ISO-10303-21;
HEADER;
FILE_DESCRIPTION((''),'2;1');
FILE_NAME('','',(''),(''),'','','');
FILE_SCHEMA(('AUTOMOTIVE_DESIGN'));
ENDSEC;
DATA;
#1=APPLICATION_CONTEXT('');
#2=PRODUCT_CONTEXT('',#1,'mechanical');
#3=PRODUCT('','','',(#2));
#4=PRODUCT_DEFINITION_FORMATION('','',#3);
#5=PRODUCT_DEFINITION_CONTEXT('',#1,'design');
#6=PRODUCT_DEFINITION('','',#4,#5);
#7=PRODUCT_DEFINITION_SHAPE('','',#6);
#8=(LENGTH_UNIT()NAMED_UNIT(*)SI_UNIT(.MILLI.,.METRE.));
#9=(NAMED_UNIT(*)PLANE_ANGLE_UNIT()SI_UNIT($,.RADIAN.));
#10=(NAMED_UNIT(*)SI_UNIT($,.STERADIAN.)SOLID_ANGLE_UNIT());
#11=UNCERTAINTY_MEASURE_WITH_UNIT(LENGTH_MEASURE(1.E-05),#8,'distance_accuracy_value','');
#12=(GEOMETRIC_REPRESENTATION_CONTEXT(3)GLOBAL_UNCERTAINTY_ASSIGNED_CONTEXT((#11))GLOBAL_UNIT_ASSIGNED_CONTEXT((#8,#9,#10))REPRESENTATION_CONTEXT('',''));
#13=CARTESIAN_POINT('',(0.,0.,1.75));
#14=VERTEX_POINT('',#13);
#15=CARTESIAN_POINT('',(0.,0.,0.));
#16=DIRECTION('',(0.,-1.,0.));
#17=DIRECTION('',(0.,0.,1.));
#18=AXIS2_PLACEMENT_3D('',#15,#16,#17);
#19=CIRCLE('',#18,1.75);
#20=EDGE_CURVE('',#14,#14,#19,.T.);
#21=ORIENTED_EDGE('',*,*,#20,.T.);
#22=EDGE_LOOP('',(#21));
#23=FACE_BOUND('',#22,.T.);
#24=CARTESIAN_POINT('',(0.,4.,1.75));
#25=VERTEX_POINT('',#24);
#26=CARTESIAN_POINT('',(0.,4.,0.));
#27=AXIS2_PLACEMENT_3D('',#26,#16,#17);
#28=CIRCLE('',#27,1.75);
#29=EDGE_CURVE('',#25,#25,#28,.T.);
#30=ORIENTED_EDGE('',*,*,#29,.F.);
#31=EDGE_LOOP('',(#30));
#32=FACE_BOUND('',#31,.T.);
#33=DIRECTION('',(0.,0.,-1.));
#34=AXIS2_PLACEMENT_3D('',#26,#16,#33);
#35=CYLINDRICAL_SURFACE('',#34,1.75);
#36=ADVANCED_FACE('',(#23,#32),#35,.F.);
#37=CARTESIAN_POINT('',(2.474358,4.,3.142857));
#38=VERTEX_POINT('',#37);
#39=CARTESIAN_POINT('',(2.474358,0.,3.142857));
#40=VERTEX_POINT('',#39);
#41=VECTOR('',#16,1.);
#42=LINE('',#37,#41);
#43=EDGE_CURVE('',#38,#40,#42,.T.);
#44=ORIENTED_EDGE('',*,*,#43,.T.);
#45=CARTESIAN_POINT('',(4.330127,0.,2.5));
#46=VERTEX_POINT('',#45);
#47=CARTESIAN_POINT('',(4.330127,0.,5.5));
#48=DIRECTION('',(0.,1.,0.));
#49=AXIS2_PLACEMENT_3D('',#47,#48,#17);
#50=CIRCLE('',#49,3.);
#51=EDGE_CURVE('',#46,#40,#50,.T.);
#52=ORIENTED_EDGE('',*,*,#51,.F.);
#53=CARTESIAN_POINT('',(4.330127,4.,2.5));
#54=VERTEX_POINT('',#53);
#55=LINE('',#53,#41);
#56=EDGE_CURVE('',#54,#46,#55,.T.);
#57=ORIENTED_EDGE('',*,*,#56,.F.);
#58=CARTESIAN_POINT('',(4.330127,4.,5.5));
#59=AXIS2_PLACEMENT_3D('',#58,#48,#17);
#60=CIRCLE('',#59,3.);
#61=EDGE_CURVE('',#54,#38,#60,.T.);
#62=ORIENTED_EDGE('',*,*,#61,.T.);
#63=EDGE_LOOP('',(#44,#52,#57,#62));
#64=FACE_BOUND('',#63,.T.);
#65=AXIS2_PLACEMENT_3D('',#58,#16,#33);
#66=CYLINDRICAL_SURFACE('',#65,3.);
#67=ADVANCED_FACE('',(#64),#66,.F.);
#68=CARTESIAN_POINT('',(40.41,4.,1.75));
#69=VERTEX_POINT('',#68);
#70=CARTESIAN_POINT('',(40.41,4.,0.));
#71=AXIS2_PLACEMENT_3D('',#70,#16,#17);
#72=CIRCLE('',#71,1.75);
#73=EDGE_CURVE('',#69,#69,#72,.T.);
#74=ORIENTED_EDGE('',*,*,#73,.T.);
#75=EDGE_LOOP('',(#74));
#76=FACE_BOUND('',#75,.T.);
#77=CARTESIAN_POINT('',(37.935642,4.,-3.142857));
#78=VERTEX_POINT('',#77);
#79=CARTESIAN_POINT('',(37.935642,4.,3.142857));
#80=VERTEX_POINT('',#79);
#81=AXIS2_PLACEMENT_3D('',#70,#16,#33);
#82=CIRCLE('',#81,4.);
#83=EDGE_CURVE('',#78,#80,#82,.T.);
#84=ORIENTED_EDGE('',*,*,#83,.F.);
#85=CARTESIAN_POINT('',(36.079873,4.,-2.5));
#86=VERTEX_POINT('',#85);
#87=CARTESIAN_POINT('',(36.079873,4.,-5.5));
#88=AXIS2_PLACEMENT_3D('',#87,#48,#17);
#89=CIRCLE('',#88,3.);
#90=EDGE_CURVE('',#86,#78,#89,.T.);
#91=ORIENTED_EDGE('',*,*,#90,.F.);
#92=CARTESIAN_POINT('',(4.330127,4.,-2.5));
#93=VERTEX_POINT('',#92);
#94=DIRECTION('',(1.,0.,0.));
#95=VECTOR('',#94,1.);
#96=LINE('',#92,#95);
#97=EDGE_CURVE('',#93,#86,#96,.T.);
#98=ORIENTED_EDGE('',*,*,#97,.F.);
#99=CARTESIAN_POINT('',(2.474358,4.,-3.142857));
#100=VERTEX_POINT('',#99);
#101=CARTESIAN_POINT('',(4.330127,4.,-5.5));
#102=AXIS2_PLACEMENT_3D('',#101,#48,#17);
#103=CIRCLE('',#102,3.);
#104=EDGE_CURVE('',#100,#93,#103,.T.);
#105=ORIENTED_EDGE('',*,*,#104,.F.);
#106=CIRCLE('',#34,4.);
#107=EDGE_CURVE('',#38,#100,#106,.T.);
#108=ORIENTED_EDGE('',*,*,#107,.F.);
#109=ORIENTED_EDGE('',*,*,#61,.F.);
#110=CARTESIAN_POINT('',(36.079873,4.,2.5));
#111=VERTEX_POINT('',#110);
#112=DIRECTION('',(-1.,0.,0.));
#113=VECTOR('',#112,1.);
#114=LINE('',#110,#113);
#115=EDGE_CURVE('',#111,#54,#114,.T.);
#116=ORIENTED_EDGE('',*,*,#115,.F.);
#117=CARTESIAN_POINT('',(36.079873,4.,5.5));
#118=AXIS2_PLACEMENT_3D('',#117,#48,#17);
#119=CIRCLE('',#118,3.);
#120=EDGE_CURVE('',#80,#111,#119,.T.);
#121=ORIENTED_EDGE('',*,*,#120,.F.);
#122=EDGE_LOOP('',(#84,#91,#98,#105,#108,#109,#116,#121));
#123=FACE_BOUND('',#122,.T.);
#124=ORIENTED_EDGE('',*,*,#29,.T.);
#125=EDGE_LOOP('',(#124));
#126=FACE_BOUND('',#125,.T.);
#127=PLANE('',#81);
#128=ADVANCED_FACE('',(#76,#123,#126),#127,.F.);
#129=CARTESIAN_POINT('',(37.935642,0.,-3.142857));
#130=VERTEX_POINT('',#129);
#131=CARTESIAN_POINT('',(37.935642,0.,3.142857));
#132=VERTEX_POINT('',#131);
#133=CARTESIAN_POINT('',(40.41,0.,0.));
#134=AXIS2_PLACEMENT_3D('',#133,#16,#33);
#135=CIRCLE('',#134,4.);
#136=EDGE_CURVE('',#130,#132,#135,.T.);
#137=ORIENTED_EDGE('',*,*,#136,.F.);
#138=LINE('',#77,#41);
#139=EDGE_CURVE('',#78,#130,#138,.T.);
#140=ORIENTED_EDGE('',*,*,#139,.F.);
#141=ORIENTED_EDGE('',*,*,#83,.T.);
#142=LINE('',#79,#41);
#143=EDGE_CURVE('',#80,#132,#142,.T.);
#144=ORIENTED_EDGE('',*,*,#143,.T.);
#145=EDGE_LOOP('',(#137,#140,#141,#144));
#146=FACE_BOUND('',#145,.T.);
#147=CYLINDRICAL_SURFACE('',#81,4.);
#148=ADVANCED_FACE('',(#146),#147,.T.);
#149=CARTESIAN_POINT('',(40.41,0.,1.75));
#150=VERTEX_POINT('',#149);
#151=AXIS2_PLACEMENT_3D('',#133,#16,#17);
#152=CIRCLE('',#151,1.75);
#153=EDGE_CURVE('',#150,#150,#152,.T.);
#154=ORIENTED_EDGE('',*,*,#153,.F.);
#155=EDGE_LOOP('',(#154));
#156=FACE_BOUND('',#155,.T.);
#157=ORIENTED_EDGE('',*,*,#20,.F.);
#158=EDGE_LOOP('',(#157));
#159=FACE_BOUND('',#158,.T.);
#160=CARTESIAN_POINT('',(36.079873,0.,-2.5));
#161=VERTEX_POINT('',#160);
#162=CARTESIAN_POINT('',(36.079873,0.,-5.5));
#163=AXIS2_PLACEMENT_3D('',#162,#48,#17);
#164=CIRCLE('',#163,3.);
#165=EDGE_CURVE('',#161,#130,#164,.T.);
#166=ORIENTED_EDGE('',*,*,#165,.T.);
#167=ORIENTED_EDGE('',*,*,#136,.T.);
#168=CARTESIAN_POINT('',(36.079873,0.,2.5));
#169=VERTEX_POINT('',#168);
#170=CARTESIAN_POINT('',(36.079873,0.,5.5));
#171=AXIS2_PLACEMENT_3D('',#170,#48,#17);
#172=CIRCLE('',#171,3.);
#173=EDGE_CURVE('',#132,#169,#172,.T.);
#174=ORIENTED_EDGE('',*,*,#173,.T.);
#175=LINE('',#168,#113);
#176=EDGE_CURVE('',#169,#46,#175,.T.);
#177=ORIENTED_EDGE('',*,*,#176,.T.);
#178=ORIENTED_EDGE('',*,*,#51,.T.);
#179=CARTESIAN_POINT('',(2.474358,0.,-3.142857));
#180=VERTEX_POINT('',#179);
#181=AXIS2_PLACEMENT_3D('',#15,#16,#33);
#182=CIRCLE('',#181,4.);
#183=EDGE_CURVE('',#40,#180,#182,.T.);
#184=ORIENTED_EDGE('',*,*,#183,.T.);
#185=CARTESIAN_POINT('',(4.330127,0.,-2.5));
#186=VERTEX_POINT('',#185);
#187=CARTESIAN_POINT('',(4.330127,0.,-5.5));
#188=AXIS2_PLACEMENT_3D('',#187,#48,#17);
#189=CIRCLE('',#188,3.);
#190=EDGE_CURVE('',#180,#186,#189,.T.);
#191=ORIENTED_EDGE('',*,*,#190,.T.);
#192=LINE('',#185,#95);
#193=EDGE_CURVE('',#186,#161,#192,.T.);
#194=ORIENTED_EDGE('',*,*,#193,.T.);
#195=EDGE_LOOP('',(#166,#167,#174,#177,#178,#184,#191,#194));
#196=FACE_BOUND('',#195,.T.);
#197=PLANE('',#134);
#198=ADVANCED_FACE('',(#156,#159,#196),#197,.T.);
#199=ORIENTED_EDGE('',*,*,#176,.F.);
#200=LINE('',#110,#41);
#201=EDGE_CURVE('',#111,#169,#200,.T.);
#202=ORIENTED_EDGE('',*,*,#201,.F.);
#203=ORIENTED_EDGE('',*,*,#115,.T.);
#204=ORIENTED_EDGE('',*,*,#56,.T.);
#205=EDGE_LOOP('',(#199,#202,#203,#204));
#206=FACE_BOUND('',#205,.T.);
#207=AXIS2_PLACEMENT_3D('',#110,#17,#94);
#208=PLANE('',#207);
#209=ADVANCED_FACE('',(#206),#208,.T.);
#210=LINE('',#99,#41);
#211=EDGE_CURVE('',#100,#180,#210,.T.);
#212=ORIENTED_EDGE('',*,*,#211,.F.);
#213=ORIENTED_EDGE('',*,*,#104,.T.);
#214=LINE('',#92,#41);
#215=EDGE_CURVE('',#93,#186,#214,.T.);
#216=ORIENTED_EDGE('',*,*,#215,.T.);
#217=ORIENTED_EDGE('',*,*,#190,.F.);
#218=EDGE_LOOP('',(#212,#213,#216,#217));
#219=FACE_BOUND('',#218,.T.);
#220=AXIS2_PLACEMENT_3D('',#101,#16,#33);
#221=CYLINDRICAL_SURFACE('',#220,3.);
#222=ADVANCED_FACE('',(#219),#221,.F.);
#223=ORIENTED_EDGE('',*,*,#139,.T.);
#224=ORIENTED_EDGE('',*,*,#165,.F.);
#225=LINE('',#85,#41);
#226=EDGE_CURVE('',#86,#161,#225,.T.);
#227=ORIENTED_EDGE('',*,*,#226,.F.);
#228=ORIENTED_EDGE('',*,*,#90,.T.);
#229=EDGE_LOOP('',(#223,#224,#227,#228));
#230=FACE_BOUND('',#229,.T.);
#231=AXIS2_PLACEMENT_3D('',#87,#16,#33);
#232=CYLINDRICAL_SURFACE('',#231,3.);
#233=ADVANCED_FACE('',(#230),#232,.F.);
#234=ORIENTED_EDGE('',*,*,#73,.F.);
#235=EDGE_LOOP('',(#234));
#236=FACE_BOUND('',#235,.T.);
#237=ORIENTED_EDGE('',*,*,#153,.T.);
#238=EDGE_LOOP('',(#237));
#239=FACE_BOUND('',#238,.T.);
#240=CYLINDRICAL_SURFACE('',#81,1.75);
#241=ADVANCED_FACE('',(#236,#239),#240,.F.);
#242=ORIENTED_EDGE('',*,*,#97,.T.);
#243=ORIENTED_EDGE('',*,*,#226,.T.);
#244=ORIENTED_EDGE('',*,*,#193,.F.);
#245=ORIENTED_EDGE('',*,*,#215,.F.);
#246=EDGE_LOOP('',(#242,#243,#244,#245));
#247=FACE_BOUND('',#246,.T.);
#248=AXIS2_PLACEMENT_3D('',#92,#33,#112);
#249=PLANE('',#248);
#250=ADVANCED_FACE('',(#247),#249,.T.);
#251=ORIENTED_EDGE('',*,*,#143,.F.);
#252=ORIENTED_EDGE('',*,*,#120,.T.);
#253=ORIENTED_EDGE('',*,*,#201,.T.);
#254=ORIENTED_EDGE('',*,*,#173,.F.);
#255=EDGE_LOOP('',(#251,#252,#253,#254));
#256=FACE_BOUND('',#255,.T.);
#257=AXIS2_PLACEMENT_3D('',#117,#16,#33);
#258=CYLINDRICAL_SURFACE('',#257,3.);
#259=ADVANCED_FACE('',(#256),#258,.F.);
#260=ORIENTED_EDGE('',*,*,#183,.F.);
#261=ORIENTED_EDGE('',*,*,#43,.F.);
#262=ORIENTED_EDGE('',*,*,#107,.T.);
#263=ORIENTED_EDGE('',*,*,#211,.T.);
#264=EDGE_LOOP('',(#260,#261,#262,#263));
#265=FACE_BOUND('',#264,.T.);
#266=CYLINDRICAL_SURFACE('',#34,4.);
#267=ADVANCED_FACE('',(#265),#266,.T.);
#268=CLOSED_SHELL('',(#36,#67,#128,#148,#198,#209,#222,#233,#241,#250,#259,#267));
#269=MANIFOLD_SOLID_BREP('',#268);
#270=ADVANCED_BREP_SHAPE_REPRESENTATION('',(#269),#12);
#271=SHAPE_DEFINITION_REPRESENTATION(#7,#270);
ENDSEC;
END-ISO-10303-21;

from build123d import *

# Parameters (mm, degrees)
SKETCH1_R           = 1.75
BOSS_EXTRUDE1_DEPTH = 4


with BuildPart() as part:
    # Sketch1 → Boss-Extrude1 (new body)
    with BuildSketch(Plane.XZ):
        with BuildLine():
            Line((36.07987298, 2.5), (4.330127019, 2.5))
            ThreePointArc((4.330127019, 2.5), (3.348146513, 2.665266452), (2.474358297, 3.142857143))
            ThreePointArc((2.474358297, 3.142857143), (-4, 0), (2.474358297, -3.142857143))
            ThreePointArc((2.474358297, -3.142857143), (3.348146513, -2.665266452), (4.330127019, -2.5))
            Line((4.330127019, -2.5), (36.07987298, -2.5))
            ThreePointArc((36.07987298, -2.5), (37.061853486, -2.665266452), (37.935641702, -3.142857143))
            ThreePointArc((37.935641702, -3.142857143), (44.409999999, 0), (37.935641702, 3.142857143))
            ThreePointArc((37.935641702, 3.142857143), (37.061853486, 2.665266452), (36.07987298, 2.5))
        make_face()
        with Locations(Location((40.409999999, 0, 0), (0, 0, 90))):
            Circle(SKETCH1_R, mode=Mode.SUBTRACT)
        with Locations(Location((0, 0, 0), (0, 0, 90))):
            Circle(SKETCH1_R, mode=Mode.SUBTRACT)
    extrude(amount=-BOSS_EXTRUDE1_DEPTH)


solid = part.part
